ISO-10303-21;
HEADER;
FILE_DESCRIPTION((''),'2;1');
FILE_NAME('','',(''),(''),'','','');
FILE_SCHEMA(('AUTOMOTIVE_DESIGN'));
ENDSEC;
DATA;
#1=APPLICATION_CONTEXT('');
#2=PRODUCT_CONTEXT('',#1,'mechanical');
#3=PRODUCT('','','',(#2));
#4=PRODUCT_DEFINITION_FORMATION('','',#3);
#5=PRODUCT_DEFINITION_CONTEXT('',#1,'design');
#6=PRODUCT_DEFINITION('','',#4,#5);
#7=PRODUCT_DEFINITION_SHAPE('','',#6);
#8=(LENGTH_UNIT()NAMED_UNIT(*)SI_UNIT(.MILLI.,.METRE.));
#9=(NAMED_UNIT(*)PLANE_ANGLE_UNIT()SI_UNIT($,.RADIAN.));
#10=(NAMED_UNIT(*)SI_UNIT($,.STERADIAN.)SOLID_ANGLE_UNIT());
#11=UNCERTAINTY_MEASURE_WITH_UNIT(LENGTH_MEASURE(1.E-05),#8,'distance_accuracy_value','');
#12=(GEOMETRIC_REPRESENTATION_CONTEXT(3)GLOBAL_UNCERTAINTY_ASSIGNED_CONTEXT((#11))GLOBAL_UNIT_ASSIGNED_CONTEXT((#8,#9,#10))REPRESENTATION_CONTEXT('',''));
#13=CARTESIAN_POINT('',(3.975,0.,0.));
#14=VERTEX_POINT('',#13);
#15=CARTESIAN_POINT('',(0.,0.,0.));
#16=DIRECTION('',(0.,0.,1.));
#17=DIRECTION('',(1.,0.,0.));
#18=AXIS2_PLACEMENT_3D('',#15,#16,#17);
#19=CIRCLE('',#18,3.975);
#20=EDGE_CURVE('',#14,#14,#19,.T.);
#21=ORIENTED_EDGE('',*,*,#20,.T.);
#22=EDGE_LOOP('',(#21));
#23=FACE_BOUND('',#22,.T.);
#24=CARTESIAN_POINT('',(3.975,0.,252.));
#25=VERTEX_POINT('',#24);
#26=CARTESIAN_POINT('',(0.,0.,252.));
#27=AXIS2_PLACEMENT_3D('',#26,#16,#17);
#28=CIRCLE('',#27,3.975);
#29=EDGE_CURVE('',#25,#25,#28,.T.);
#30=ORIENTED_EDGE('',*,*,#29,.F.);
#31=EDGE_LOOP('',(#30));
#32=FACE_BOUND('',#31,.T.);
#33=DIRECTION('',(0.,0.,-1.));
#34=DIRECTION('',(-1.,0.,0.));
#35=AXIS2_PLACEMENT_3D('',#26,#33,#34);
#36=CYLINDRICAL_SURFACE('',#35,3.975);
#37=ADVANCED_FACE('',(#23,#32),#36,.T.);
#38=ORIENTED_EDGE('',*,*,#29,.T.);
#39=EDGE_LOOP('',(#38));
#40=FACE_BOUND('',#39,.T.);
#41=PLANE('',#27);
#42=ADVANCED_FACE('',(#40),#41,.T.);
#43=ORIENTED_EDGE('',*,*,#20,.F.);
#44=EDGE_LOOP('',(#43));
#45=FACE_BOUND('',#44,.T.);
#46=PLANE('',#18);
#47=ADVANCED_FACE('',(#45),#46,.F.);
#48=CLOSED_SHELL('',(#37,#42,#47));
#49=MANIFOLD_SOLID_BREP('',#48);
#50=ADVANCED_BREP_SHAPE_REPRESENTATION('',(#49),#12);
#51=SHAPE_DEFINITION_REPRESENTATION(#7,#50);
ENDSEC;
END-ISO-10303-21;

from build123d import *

# Parameters (mm, degrees)
IZIM1_R                     = 3.975
Y_KSEKLIK_EKSTR_ZYON1_DEPTH = 252


with BuildPart() as part:
    # Çizim1 → Yükseklik-Ekstrüzyon1 (new body)
    with BuildSketch(Plane.XY):
        Circle(IZIM1_R)
    extrude(amount=Y_KSEKLIK_EKSTR_ZYON1_DEPTH)


solid = part.part
